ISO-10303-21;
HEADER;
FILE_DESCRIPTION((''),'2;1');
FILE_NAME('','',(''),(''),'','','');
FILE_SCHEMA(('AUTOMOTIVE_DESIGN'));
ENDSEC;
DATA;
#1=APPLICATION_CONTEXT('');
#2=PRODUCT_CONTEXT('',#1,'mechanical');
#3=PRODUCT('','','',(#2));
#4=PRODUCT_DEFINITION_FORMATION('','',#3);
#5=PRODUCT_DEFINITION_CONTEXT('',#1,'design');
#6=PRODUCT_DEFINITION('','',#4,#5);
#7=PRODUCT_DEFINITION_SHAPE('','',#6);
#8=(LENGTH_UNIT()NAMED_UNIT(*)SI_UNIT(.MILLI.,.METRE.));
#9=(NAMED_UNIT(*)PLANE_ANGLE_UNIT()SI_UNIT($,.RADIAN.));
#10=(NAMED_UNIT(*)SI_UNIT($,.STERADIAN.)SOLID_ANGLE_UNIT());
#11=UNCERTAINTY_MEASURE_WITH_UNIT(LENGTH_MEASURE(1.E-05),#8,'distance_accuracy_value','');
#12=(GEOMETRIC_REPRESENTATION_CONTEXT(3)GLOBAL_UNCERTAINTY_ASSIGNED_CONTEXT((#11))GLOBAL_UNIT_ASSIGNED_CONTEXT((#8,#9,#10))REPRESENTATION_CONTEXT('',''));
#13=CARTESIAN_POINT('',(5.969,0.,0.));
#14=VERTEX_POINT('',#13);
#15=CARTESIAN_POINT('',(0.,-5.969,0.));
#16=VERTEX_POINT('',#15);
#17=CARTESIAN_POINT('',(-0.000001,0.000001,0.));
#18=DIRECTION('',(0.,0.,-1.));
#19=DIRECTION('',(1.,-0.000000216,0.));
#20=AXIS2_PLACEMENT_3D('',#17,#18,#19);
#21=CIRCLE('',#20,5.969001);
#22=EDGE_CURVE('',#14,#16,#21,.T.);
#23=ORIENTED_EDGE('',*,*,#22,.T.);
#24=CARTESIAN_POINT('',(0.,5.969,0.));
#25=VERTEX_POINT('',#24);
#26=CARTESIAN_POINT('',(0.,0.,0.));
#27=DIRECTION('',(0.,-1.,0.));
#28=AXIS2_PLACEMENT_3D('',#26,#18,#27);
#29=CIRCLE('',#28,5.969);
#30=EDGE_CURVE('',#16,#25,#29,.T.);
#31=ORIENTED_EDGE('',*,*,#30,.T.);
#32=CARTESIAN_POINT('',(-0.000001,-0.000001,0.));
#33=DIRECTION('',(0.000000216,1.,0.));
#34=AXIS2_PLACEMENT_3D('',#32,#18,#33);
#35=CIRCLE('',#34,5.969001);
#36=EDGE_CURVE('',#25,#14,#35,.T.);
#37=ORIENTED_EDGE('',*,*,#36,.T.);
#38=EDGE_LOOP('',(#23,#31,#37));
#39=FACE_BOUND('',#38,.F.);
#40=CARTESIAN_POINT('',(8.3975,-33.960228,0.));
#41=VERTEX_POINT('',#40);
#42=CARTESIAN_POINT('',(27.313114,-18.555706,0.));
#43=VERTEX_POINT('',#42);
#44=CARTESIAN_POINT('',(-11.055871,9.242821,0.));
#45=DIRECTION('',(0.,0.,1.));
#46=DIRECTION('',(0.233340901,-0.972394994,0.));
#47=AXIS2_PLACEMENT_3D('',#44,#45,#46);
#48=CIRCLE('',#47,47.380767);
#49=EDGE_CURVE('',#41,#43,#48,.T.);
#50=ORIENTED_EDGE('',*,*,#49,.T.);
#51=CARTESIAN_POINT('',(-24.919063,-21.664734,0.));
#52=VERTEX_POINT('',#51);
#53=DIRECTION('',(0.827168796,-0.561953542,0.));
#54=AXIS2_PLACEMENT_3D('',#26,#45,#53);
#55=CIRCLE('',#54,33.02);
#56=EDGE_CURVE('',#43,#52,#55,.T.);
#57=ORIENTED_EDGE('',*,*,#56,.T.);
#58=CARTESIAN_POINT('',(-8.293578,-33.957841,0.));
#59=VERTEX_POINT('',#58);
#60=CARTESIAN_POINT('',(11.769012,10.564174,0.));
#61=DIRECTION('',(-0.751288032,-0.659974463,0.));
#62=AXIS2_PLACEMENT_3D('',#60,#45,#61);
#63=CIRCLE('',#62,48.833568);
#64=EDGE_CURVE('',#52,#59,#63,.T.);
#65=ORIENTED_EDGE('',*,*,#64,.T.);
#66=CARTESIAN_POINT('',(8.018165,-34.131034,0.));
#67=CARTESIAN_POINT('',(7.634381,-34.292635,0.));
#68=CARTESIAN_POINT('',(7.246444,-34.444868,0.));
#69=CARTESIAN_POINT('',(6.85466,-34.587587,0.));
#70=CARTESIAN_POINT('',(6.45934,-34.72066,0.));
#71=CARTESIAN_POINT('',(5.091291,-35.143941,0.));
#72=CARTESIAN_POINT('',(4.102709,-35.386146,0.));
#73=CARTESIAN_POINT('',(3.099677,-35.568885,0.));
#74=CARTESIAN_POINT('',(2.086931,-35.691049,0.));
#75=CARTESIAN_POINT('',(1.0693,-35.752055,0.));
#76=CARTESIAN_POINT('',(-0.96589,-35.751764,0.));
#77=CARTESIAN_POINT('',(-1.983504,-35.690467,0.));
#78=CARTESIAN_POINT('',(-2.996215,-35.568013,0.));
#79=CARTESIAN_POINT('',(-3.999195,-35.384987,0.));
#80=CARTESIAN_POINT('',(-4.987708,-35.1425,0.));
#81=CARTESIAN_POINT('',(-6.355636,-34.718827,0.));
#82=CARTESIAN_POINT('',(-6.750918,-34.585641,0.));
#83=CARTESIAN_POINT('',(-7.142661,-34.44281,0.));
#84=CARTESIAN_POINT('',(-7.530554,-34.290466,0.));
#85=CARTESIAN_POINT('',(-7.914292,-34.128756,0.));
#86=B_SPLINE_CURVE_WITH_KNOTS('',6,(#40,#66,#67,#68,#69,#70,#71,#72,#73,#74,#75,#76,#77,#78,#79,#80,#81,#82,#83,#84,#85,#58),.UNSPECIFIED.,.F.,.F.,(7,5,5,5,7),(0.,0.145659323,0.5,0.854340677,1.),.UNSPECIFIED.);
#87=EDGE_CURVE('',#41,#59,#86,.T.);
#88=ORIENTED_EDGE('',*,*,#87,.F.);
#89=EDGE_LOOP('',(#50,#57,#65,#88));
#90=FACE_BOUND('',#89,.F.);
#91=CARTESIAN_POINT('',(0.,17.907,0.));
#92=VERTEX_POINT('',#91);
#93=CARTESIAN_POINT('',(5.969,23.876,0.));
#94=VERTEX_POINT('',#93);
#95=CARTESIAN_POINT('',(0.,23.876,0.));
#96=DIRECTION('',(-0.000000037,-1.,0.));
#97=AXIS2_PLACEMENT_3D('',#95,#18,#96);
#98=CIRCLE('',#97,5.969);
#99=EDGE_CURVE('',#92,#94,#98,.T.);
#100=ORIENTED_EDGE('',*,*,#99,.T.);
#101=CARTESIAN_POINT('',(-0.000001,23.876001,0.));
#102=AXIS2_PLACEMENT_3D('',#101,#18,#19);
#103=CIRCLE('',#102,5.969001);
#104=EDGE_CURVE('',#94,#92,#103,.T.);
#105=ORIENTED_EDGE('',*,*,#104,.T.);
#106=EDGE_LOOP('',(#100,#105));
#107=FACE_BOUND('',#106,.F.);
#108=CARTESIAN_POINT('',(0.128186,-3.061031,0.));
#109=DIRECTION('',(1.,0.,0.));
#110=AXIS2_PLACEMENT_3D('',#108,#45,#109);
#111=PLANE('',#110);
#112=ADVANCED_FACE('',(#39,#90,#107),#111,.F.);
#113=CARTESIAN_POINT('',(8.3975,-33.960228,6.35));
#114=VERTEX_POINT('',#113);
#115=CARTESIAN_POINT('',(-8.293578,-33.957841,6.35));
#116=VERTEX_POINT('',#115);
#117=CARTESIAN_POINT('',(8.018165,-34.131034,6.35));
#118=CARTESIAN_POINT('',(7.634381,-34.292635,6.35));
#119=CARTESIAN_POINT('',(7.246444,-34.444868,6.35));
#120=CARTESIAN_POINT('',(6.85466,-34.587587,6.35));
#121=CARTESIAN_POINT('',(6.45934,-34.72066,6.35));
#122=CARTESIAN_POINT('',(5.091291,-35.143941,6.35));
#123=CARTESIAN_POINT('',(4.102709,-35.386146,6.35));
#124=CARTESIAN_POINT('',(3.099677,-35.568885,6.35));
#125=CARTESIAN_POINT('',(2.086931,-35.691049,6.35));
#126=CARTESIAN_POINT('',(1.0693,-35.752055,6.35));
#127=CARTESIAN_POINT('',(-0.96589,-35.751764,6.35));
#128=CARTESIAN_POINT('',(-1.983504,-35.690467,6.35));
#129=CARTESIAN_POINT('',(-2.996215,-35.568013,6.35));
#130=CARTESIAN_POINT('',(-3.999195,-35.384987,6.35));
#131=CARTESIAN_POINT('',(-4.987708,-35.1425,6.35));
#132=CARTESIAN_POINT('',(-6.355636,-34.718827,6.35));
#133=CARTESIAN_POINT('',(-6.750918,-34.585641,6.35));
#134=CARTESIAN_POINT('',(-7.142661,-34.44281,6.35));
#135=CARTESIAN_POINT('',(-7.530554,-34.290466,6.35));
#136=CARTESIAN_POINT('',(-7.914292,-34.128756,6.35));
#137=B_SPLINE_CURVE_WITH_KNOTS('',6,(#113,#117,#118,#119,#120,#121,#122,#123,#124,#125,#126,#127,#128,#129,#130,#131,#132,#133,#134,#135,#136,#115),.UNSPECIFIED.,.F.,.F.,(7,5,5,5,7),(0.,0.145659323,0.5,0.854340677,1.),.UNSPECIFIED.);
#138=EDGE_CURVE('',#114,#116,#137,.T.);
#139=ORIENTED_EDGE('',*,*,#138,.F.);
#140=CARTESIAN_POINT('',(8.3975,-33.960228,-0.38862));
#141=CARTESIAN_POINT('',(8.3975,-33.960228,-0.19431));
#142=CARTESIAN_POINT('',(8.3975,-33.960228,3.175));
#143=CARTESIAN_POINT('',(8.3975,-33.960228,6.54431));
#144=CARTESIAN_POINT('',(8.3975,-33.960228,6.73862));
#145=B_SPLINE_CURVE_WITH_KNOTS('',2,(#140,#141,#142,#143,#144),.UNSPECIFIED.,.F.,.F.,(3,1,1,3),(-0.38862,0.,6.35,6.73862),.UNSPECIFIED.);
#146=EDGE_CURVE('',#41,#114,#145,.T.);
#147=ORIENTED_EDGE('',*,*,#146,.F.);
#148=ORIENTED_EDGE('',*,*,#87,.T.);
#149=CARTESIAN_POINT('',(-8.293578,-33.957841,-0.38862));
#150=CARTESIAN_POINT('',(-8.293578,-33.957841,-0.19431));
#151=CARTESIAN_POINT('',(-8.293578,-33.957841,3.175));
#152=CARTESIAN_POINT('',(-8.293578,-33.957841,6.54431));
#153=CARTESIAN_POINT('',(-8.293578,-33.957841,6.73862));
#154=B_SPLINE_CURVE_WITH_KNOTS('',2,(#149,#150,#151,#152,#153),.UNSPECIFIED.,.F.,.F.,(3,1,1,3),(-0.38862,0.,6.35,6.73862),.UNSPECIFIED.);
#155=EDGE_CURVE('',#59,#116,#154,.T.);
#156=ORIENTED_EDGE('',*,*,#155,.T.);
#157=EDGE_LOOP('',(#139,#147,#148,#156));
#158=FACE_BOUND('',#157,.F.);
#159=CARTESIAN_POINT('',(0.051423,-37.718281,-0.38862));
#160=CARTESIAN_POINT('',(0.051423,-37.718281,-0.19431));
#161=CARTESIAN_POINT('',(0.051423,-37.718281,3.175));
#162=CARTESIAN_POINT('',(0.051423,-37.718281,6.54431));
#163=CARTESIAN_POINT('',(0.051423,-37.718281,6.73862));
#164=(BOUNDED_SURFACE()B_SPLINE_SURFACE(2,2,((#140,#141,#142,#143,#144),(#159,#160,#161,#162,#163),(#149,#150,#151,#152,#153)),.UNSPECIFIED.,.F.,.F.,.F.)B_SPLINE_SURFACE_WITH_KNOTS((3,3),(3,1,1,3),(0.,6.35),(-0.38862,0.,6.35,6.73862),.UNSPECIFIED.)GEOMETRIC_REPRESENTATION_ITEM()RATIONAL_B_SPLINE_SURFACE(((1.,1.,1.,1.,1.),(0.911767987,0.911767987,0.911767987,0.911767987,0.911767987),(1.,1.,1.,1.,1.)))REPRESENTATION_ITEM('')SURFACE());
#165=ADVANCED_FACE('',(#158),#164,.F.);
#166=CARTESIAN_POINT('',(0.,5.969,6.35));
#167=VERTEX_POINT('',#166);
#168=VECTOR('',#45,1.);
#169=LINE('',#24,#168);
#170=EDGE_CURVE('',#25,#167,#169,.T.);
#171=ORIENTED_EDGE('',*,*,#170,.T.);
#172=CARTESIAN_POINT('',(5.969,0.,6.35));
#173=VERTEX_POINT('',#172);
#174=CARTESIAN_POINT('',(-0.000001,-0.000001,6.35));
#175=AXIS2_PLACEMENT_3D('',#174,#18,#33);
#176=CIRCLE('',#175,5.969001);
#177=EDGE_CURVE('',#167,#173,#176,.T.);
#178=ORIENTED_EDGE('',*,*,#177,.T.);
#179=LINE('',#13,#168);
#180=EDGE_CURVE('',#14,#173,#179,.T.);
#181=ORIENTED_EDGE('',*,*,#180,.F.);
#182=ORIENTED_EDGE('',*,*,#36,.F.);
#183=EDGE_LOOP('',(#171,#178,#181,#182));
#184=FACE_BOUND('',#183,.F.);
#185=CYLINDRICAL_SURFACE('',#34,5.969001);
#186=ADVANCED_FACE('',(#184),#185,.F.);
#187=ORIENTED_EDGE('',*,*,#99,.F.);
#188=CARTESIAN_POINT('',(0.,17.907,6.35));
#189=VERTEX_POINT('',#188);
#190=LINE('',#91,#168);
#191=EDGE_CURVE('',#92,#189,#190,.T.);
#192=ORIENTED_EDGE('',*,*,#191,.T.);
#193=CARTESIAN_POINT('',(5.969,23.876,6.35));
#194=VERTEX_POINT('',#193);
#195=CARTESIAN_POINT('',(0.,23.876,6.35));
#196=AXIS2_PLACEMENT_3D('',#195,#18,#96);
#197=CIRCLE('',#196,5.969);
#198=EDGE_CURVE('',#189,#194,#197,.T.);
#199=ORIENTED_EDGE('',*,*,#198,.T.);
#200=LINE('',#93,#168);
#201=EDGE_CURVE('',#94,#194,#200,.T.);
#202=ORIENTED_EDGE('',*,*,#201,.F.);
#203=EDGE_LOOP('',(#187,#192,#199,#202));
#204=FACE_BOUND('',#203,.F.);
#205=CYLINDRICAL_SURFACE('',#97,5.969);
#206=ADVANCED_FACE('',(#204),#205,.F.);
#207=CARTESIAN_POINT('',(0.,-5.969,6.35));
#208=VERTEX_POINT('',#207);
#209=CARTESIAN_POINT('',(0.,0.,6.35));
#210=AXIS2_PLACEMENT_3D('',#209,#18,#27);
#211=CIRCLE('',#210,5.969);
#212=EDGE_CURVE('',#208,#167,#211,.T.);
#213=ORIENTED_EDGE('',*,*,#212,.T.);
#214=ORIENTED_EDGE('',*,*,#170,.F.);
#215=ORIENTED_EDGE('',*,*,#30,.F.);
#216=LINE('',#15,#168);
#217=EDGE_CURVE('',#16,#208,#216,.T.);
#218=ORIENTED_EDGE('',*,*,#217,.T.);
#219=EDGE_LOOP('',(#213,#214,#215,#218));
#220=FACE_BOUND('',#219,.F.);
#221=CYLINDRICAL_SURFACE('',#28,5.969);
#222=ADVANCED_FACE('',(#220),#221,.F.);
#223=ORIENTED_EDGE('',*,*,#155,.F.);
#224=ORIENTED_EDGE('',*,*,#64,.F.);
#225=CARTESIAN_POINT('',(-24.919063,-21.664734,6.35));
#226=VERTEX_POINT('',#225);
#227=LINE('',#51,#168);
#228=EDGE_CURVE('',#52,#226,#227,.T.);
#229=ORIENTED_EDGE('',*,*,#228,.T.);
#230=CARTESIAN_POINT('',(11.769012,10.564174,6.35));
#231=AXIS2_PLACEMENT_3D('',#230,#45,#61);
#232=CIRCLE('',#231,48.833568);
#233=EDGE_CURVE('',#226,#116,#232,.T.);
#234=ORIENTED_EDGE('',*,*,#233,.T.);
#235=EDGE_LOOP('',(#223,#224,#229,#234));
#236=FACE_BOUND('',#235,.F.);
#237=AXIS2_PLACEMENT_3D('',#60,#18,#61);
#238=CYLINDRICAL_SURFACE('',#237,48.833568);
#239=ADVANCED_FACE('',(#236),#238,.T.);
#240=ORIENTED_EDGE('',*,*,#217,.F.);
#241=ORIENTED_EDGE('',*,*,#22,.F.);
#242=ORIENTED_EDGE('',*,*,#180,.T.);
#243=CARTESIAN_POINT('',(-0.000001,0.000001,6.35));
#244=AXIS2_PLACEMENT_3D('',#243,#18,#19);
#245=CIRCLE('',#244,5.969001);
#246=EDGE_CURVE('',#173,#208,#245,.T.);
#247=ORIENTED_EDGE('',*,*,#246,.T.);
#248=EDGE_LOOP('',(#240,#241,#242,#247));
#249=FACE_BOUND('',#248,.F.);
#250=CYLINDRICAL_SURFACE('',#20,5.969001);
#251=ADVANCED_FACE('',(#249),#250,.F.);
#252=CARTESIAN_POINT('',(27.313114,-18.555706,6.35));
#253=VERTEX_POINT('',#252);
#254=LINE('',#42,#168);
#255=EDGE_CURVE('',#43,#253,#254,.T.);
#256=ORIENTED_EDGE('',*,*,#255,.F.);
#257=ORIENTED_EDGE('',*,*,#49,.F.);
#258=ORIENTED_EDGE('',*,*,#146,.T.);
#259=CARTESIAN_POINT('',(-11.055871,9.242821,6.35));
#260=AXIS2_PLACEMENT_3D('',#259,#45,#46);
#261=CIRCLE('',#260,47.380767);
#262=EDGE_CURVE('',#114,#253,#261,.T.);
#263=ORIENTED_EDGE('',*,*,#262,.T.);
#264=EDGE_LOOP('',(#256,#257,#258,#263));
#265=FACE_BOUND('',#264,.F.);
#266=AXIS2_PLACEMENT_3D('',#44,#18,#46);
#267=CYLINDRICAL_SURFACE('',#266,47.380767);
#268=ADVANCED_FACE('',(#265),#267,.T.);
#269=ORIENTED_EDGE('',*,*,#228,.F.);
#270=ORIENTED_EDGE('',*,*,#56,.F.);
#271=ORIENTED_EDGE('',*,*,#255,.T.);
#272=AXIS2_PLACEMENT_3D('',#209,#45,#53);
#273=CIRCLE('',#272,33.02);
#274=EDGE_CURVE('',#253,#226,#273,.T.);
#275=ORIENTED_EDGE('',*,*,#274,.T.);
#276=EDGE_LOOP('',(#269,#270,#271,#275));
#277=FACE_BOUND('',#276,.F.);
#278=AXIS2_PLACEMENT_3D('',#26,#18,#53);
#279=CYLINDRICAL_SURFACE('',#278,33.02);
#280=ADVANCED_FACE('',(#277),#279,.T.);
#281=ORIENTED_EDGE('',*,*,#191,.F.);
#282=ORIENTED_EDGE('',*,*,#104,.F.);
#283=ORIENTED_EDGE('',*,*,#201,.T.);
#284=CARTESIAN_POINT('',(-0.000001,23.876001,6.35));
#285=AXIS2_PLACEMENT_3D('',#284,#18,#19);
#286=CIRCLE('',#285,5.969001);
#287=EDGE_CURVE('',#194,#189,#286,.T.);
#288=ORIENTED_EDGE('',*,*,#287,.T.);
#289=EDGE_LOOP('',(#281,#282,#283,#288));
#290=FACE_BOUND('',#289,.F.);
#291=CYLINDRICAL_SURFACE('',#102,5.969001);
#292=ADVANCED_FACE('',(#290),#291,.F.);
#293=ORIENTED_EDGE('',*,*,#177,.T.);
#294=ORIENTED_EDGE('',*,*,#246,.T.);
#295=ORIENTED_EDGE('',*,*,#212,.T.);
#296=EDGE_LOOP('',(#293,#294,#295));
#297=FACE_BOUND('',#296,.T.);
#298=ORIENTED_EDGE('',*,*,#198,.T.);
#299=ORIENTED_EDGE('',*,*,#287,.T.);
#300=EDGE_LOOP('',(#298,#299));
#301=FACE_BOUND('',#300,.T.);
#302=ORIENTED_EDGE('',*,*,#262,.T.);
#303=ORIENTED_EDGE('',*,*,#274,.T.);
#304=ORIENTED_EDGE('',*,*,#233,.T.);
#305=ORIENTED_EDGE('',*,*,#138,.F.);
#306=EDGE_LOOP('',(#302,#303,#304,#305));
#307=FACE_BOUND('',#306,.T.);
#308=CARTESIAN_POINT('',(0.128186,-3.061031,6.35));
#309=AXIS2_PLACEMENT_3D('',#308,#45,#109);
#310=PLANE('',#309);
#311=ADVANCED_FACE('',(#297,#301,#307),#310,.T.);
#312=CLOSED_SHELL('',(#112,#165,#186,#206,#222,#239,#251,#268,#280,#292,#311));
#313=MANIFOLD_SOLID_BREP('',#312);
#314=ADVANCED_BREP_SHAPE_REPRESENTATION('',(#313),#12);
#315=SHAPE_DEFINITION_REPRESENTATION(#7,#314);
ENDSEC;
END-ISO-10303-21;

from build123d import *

# Parameters (mm, degrees)
F1_DEPTH = 6.35
F2_R     = 20.32


with BuildPart() as f1:
    # F0 (on Top) → F1 (new body)
    with BuildSketch(Plane.XY):
        with BuildLine():
            ThreePointArc((0, -36.83), (15.291644, -30.136686), (27.313114, -18.555706))
            ThreePointArc((27.313114, -18.555706), (-1.961985, 32.96166), (-24.919063, -21.664734))
            ThreePointArc((-24.919063, -21.664734), (-13.61836, -31.151515), (0, -36.83))
        make_face()
        with BuildLine():
            ThreePointArc((5.969, 0), (4.22072, -4.22072), (0, -5.969))
            ThreePointArc((0, -5.969), (-5.969, 0), (0, 5.969))
            ThreePointArc((0, 5.969), (4.22072, 4.22072), (5.969, 0))
        make_face(mode=Mode.SUBTRACT)
        with BuildLine():
            ThreePointArc((5.969, 23.876), (4.22072, 19.65528), (0, 17.907))
            ThreePointArc((0, 17.907), (-4.22072, 28.09672), (5.969, 23.876))
        make_face(mode=Mode.SUBTRACT)
    extrude(amount=F1_DEPTH)

    # F2
    f2_edges = [f1.edges().sort_by_distance(p)[0] for p in [
        (0, -36.83, 3.175),
    ]]
    fillet(f2_edges, radius=F2_R)


solid = f1.part
